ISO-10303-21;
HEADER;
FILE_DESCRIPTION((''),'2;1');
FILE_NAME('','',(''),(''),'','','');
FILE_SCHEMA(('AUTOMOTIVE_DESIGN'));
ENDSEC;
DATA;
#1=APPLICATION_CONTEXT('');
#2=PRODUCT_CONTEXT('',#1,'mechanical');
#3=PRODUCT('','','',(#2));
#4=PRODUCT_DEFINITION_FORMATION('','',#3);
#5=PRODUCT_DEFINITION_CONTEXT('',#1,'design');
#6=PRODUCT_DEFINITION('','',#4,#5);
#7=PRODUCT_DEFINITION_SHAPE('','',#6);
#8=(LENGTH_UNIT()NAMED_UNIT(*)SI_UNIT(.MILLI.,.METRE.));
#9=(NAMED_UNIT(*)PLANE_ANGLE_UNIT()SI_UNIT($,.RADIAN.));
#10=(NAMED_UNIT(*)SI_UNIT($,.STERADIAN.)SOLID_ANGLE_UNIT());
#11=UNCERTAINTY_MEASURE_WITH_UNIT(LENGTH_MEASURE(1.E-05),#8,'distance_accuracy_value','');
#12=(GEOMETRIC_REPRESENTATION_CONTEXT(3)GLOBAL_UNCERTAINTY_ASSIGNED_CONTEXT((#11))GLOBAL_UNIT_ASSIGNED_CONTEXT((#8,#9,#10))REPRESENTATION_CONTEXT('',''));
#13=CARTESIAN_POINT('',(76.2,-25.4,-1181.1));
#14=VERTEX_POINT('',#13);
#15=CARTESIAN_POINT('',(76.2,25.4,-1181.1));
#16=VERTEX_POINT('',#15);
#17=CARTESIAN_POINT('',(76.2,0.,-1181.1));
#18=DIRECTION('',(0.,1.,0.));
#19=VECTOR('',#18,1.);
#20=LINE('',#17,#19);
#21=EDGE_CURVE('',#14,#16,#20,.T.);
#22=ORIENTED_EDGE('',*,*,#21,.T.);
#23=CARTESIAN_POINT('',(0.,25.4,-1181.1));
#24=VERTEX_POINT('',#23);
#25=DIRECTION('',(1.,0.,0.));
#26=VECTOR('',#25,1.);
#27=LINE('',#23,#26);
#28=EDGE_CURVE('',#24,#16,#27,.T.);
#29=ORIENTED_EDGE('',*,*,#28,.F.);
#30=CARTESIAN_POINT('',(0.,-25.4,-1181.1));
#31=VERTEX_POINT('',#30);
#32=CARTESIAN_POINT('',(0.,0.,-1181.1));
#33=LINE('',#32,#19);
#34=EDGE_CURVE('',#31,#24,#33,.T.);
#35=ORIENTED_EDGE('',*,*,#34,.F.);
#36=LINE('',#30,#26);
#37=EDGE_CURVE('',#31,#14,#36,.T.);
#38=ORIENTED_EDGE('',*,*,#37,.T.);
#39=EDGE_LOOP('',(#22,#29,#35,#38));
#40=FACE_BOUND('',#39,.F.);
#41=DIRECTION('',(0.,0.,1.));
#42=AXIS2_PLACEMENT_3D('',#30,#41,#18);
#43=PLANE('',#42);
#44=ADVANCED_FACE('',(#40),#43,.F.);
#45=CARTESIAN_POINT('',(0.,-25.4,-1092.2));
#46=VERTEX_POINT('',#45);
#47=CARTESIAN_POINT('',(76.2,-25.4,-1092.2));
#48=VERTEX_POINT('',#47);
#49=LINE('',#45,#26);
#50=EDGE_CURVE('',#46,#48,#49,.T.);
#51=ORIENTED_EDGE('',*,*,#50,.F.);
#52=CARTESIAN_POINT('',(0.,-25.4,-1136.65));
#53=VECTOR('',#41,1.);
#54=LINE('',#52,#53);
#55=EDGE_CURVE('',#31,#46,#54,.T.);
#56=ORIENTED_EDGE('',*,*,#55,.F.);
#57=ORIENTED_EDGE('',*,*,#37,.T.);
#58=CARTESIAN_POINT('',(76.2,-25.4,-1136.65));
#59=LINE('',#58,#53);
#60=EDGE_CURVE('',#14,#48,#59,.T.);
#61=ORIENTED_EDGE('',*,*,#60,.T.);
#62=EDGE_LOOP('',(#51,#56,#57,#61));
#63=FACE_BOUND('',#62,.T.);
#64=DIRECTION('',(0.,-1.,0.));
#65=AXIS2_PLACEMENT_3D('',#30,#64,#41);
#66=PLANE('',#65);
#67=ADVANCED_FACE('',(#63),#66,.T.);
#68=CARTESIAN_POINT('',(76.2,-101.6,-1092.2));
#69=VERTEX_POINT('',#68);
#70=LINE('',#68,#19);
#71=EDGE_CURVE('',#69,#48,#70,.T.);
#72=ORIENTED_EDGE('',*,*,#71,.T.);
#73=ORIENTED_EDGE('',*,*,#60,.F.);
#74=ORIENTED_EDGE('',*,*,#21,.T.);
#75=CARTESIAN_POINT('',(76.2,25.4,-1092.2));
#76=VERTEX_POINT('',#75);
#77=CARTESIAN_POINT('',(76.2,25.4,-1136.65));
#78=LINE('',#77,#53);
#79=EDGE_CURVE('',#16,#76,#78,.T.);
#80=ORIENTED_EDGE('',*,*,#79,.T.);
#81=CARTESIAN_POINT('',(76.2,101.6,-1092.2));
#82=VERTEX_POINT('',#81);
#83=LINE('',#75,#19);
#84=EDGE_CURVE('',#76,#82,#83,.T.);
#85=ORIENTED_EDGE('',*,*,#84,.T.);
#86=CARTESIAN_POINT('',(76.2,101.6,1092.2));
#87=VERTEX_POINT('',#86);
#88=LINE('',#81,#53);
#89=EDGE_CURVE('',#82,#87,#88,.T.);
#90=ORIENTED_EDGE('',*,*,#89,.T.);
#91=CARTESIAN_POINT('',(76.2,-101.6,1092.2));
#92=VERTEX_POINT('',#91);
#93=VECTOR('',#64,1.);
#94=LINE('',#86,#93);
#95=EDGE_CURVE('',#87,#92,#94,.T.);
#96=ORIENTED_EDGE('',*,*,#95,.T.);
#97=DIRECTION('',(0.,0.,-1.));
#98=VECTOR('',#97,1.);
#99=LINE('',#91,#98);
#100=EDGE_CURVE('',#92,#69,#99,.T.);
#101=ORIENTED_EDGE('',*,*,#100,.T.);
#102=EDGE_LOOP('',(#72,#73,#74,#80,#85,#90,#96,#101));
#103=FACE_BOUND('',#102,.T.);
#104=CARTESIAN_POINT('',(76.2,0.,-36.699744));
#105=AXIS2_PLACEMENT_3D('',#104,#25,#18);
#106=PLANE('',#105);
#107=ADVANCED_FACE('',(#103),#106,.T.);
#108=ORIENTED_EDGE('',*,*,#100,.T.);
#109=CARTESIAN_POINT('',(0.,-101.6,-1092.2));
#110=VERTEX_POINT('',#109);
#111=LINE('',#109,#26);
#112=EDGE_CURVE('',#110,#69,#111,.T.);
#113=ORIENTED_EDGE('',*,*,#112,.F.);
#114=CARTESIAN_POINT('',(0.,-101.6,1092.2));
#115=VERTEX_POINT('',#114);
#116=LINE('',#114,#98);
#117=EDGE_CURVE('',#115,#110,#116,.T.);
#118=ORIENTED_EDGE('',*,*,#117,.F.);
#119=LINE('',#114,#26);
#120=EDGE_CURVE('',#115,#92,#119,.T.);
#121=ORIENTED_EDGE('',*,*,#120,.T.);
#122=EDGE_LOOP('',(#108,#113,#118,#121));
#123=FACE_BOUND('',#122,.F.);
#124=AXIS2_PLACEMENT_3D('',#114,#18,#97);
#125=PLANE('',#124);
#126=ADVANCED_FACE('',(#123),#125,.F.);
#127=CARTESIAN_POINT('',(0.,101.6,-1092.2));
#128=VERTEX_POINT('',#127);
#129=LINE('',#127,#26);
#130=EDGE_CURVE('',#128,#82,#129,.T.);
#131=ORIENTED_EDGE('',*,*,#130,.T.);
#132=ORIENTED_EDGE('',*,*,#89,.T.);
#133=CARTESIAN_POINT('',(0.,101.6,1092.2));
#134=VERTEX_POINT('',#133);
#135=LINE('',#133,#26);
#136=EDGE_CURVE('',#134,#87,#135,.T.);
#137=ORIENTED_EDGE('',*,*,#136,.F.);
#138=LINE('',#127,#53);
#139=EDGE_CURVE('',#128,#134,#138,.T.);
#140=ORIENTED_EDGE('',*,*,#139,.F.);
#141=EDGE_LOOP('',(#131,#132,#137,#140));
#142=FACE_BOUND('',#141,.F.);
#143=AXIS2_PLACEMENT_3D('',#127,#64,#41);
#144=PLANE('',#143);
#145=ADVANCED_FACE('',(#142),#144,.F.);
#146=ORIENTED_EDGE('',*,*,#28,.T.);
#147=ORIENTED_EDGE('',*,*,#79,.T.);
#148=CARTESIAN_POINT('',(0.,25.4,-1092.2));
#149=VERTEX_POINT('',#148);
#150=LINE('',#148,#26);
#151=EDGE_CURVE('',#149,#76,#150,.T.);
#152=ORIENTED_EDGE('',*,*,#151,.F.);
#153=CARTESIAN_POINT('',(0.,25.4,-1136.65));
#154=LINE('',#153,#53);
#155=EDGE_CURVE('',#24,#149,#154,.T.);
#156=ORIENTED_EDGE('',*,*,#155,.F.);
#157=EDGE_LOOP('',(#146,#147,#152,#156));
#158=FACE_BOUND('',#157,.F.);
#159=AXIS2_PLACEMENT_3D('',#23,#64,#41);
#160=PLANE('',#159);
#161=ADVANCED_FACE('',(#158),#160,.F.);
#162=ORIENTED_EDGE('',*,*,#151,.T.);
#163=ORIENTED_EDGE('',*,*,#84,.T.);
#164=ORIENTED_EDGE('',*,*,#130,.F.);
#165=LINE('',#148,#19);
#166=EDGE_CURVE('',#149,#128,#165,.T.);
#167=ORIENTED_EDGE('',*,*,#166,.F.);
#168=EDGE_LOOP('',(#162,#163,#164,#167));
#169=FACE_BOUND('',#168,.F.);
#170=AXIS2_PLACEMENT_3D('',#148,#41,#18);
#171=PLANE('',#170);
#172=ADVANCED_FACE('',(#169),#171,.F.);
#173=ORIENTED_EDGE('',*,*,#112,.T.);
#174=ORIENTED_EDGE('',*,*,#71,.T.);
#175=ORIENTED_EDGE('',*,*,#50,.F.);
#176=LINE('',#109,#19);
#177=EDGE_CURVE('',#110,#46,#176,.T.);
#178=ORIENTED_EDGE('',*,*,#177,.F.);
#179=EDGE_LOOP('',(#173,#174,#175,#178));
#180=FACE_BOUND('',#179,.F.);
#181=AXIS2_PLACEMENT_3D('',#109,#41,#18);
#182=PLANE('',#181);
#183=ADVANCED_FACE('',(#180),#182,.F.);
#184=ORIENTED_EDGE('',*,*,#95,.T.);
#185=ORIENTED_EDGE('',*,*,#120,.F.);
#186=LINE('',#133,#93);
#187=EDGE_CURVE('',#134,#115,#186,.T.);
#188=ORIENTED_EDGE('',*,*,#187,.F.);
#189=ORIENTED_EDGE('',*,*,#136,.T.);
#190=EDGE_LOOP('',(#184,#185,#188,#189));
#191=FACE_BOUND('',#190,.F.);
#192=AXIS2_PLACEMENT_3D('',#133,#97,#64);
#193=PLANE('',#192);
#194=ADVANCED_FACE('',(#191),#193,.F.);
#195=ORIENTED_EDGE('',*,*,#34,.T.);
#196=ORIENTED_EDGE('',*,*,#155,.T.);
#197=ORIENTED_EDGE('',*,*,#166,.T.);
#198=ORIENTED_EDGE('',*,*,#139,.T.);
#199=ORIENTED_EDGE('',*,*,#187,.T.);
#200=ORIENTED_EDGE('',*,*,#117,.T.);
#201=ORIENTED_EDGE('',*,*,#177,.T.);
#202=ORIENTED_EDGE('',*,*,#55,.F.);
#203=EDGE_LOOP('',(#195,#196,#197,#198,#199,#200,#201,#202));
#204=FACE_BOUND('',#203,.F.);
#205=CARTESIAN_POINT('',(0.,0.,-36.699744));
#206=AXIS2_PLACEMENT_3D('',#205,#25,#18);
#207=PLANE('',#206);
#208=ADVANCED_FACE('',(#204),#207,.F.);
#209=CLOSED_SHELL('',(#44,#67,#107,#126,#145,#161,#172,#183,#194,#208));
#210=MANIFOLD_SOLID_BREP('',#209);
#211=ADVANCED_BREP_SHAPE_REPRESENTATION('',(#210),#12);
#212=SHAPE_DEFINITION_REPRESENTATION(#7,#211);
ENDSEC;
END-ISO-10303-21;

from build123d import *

# Parameters (mm, degrees)
F0_W     = 50.8
F0_H     = 88.9
F1_DEPTH = 76.2


with BuildPart() as f1:
    # F0 (on Right) → F1 (new body)
    with BuildSketch(Plane.YZ):
        Polygon((101.6, -1092.2), (101.6, 1092.2), (-101.6, 1092.2), (-101.6, -1092.2), (-25.4, -1092.2), (-25.4, -1003.3), (25.4, -1003.3), (25.4, -1092.2), align=None)
        with Locations((0, -1136.65)):
            Rectangle(F0_W, F0_H)
        with Locations((0, -1047.75)):
            Rectangle(F0_W, F0_H)
    extrude(amount=F1_DEPTH)


solid = f1.part
